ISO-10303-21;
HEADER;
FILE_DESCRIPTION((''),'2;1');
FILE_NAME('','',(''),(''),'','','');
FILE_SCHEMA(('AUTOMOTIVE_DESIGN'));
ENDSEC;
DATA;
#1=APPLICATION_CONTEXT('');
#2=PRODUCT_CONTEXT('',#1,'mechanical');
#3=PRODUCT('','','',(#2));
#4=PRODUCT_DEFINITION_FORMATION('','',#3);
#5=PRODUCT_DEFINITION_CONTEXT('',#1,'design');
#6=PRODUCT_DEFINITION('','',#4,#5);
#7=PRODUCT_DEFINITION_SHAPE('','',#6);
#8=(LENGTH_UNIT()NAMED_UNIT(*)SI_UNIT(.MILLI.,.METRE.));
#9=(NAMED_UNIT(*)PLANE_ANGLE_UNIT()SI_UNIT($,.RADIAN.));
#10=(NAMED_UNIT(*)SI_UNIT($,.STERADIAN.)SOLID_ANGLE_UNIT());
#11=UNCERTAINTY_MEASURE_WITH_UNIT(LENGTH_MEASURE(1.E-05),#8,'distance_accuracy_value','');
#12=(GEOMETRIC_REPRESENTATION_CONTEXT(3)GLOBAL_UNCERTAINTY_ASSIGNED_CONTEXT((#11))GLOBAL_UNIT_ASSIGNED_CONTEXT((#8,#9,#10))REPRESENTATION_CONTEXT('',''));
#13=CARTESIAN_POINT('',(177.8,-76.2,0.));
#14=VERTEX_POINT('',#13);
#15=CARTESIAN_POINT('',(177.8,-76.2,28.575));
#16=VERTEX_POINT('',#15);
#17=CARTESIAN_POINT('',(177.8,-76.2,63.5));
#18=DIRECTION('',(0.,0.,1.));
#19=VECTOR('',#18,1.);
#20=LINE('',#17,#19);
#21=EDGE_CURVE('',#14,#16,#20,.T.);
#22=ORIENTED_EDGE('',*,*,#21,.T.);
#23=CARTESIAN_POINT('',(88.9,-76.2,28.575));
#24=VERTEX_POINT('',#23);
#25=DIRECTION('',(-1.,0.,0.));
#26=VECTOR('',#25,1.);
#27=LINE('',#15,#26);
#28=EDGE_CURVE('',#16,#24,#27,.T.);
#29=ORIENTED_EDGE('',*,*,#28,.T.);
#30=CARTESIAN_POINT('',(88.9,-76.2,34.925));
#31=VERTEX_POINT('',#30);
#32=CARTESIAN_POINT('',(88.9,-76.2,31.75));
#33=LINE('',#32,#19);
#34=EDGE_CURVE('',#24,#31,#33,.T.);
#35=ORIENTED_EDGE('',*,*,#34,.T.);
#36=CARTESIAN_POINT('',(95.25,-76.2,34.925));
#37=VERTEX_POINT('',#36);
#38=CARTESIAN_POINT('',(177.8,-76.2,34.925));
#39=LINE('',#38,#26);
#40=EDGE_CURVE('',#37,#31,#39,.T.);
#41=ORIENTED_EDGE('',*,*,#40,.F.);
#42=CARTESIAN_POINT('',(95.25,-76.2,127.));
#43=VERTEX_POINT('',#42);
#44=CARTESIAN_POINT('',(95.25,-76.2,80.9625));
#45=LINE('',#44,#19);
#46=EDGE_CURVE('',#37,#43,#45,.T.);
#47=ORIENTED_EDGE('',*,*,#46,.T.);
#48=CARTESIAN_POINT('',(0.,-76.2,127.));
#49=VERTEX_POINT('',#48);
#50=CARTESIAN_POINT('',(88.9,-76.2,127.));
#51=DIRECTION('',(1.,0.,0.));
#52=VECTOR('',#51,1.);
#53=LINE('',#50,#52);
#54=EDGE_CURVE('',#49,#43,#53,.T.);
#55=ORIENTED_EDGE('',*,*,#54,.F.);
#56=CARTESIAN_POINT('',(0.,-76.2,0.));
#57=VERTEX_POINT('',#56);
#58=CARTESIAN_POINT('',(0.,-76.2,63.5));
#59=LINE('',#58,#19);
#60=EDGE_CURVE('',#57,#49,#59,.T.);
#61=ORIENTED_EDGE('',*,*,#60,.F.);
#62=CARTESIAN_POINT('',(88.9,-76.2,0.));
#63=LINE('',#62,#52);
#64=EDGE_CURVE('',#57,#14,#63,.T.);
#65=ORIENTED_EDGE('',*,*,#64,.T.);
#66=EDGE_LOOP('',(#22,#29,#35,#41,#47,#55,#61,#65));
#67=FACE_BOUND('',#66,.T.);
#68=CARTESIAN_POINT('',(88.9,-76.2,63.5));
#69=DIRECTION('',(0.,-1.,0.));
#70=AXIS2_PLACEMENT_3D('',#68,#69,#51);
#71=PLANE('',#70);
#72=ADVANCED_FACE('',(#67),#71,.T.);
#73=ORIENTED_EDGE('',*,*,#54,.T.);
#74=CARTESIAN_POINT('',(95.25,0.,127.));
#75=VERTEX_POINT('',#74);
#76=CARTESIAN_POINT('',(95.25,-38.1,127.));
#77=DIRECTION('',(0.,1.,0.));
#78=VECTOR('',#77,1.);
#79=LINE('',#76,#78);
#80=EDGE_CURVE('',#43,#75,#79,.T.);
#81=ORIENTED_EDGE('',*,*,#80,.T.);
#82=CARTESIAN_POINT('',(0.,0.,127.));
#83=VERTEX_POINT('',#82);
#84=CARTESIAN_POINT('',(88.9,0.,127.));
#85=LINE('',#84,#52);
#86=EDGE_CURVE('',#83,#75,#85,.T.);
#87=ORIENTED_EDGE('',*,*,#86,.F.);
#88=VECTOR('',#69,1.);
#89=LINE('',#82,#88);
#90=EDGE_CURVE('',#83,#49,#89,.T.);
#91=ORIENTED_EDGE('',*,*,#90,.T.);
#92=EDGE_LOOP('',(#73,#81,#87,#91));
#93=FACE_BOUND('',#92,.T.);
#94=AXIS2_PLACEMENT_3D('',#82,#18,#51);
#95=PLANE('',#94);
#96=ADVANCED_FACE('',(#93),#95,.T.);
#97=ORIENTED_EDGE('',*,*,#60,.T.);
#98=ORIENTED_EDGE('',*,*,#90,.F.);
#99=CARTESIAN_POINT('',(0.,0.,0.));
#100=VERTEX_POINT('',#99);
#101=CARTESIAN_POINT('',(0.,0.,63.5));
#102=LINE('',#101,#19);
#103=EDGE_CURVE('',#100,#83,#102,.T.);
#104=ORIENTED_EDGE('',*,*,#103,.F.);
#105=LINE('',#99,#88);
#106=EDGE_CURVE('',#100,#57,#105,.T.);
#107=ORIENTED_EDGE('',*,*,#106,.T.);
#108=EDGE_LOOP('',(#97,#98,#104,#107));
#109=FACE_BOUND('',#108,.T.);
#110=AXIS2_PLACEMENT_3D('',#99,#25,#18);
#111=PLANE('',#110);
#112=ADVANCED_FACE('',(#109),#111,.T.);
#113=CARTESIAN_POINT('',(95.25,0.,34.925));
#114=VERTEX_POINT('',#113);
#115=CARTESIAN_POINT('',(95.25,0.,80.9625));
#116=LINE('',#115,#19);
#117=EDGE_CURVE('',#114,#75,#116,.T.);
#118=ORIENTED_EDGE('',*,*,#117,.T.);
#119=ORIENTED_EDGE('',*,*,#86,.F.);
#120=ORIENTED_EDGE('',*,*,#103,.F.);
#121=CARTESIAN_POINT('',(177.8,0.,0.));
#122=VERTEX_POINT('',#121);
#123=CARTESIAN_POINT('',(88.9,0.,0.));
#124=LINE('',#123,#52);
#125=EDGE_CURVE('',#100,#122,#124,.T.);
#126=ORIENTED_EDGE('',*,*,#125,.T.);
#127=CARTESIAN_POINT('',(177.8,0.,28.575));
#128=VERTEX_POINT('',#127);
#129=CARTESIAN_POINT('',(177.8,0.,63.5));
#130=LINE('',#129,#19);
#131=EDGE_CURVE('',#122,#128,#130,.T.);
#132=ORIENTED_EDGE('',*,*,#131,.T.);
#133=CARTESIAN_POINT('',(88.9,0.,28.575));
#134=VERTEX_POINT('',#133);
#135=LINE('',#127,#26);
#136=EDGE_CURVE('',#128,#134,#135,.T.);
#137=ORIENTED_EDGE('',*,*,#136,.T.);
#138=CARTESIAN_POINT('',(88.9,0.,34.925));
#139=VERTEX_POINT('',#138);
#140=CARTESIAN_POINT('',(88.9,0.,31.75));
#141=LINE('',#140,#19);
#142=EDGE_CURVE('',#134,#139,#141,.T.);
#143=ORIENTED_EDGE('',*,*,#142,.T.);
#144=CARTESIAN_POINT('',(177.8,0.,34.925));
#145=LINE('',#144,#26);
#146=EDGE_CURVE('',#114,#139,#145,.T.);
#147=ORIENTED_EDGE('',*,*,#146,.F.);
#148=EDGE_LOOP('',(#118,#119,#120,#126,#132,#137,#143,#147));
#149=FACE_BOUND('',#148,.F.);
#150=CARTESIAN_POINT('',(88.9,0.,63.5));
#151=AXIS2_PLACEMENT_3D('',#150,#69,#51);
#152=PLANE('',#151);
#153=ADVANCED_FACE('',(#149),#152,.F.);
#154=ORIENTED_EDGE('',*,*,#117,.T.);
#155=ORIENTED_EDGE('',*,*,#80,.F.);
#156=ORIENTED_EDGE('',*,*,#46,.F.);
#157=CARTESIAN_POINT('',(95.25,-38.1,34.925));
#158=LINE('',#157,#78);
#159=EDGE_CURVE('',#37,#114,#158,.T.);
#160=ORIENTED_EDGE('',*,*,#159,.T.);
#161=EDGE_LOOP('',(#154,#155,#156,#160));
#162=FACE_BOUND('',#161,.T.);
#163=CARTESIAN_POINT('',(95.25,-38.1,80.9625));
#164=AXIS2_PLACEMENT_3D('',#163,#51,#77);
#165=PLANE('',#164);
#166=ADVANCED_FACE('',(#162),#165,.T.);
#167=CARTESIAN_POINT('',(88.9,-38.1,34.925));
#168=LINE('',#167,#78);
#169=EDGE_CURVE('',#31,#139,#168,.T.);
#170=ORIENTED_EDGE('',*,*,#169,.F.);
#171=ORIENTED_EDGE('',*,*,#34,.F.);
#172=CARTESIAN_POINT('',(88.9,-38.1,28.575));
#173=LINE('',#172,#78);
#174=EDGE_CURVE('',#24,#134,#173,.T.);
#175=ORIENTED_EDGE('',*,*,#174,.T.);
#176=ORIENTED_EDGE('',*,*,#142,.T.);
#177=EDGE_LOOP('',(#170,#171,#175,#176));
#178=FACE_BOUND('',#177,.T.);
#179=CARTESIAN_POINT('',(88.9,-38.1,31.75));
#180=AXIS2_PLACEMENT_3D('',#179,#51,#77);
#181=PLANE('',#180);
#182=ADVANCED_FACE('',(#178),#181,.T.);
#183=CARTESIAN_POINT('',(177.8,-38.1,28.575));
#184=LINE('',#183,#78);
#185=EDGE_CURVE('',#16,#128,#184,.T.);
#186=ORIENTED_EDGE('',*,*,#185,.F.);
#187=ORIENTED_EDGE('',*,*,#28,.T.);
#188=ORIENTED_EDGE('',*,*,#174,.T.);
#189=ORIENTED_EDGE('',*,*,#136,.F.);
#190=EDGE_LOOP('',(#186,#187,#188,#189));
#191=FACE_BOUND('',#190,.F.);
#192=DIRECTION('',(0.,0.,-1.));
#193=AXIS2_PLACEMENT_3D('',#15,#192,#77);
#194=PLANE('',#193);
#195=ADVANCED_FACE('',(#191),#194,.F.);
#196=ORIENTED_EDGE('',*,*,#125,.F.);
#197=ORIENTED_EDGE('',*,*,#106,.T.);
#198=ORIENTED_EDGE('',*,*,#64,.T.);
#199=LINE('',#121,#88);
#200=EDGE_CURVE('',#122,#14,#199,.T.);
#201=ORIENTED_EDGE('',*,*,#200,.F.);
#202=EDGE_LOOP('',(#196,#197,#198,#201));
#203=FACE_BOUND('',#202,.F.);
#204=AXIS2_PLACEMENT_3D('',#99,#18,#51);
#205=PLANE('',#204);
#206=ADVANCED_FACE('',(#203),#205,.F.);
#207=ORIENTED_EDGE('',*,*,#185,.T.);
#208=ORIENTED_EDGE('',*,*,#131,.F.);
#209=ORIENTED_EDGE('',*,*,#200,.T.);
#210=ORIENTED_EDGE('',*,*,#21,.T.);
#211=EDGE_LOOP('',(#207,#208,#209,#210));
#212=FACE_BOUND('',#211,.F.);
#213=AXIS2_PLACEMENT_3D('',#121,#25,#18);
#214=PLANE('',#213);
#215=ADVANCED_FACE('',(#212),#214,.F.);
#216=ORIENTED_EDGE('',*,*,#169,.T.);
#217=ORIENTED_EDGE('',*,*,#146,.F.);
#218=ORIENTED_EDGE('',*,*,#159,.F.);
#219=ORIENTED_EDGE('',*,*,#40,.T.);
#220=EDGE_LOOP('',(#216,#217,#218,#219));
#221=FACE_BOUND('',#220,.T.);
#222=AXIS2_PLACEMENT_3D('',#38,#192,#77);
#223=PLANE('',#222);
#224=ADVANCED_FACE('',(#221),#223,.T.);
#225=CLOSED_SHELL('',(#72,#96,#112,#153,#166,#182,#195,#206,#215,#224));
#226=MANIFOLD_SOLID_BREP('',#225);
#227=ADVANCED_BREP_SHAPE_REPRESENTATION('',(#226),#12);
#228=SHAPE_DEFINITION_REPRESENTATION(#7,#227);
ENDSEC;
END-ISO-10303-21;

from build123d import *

# Parameters (mm, degrees)
F0_W     = 177.8
F0_H     = 127
F1_DEPTH = 76.2
F2_W     = 76.2
F2_H     = 92.075
F3_DEPTH = 82.55
F4_W     = 76.2
F4_H     = 6.35
F5_DEPTH = 88.9


with BuildPart() as f1:
    # F0 (on Front) → F1 (new body)
    with BuildSketch(Plane.XZ):
        with Locations((88.9, 63.5)):
            Rectangle(F0_W, F0_H)
    extrude(amount=F1_DEPTH)

    # F2 (on face) → F3 (cut)
    with BuildSketch(Plane.YZ.offset(177.8)):
        with Locations((-38.1, 80.9625)):
            Rectangle(F2_W, F2_H)
    extrude(amount=-F3_DEPTH, mode=Mode.SUBTRACT)

    # F4 (on face) → F5 (cut)
    with BuildSketch(Plane.YZ.offset(177.8)):
        with Locations((-38.1, 31.75)):
            Rectangle(F4_W, F4_H)
    extrude(amount=-F5_DEPTH, mode=Mode.SUBTRACT)


solid = f1.part
